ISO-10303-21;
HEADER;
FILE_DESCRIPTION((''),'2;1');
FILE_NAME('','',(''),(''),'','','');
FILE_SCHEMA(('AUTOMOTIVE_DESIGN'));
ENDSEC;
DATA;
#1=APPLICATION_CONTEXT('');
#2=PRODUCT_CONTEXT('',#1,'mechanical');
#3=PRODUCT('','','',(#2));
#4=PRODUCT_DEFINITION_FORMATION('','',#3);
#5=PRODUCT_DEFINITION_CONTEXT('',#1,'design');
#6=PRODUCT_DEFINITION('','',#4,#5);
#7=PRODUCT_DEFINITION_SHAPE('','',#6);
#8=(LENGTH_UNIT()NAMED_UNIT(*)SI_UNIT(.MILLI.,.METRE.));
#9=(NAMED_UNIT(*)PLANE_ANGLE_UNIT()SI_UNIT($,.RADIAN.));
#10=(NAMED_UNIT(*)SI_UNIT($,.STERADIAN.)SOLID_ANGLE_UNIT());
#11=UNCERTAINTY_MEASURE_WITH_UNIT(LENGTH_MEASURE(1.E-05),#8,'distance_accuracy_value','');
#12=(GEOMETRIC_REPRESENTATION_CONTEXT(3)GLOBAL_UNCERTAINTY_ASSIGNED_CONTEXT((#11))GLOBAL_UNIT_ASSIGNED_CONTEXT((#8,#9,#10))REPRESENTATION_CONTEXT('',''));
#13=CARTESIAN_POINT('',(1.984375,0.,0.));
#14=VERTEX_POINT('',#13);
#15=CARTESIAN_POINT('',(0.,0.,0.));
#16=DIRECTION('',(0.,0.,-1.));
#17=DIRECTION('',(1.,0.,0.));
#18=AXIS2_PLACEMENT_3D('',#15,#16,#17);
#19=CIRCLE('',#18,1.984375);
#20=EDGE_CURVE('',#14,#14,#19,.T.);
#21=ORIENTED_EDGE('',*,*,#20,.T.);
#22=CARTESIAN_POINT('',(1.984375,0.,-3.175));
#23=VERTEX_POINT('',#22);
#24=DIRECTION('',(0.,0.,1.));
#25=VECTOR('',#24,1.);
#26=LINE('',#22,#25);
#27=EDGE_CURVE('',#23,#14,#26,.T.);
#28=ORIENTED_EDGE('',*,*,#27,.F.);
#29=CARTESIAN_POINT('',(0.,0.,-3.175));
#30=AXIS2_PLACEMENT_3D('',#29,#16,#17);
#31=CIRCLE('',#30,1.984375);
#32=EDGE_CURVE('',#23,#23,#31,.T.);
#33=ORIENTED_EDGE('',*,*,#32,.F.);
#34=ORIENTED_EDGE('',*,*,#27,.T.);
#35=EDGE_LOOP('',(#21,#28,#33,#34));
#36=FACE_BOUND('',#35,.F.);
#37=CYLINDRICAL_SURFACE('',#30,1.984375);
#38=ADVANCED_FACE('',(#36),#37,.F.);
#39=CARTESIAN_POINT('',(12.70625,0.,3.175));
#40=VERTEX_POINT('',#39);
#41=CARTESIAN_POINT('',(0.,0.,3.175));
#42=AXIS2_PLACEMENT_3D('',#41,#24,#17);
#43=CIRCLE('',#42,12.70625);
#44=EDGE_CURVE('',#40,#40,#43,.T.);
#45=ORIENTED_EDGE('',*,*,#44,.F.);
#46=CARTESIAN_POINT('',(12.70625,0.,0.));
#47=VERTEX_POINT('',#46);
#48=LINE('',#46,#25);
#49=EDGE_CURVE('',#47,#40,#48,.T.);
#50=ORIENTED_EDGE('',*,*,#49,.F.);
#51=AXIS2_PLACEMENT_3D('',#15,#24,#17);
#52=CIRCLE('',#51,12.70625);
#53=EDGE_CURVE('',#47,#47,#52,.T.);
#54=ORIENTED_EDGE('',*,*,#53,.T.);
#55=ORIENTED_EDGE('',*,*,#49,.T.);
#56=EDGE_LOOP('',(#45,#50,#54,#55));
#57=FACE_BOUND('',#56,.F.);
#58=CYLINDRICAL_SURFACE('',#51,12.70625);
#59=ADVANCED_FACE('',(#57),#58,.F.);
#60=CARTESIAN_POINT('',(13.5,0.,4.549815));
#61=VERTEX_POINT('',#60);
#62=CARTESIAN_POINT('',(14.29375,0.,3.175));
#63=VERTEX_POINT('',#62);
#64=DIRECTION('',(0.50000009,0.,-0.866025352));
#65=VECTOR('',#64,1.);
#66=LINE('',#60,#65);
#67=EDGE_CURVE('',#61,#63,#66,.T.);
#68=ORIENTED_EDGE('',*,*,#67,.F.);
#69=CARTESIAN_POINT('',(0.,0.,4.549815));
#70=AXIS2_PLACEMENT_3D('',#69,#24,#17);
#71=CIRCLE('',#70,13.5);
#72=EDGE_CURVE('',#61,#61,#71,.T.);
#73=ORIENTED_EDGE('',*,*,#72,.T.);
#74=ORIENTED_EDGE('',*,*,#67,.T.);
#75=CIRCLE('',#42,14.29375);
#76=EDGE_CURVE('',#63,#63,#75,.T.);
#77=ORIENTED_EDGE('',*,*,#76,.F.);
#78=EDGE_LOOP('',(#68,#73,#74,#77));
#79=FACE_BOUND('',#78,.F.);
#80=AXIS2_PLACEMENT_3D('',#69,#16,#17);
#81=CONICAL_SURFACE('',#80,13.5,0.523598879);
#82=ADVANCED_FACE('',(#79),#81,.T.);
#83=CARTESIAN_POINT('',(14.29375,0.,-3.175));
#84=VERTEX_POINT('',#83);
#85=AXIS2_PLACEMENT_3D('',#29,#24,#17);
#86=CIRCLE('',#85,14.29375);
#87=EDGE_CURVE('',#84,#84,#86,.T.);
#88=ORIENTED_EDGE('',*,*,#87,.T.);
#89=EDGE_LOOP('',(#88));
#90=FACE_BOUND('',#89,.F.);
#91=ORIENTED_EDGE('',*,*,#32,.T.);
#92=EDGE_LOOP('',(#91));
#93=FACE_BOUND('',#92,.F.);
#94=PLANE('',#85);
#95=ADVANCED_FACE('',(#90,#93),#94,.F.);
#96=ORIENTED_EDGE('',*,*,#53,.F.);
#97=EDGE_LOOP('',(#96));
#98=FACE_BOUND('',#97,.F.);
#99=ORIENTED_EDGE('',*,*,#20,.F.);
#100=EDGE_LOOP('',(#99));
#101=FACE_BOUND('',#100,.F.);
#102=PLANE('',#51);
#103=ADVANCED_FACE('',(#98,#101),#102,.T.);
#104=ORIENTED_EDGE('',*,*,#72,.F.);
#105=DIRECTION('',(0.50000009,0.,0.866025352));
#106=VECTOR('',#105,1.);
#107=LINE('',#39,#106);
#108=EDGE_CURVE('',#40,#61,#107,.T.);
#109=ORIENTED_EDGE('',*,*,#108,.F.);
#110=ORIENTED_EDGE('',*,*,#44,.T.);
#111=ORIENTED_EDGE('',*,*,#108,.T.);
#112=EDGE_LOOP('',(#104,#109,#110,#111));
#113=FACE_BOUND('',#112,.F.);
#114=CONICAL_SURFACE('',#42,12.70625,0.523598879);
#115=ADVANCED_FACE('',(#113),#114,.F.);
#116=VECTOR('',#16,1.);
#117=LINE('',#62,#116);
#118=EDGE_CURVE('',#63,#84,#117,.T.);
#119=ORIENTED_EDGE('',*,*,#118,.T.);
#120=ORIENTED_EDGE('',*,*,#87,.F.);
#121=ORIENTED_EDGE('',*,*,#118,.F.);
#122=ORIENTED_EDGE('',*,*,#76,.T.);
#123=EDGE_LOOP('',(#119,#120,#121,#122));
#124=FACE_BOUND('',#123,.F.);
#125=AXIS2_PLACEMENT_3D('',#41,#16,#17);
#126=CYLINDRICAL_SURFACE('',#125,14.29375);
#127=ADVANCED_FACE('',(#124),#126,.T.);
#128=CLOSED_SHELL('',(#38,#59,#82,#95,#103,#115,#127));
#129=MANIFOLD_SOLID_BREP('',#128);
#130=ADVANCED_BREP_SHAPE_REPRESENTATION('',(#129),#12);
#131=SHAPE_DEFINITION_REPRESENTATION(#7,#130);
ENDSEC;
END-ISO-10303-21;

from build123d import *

# Parameters (mm, degrees)
F2_R     = 1.984375
F3_DEPTH = 7.725815
F4_ANGLE = 180


with BuildPart() as f1:
    # F0 (on Front) → F1 (revolve)
    with BuildSketch(Plane.XZ):
        Polygon((13.5, -4.549815), (14.29375, -3.175), (14.29375, 0), (14.29375, 3.175), (0, 3.175), (0, 0), (12.70625, 0), (12.70625, -3.175), align=None)
    revolve(axis=Axis((0, 0, -9.971488), (0, 0, -1)))

    # F2 (on face) → F3 (cut, through all)
    with BuildSketch(Plane.XY.offset(3.175)):
        Circle(F2_R)
    extrude(amount=-F3_DEPTH, mode=Mode.SUBTRACT)


with BuildPart() as f1_1:
    # F4: moved
    add(f1.part.rotate(Axis((-6.353125, 0, 0), (1, 0, 0)), F4_ANGLE))


solid = f1_1.part
